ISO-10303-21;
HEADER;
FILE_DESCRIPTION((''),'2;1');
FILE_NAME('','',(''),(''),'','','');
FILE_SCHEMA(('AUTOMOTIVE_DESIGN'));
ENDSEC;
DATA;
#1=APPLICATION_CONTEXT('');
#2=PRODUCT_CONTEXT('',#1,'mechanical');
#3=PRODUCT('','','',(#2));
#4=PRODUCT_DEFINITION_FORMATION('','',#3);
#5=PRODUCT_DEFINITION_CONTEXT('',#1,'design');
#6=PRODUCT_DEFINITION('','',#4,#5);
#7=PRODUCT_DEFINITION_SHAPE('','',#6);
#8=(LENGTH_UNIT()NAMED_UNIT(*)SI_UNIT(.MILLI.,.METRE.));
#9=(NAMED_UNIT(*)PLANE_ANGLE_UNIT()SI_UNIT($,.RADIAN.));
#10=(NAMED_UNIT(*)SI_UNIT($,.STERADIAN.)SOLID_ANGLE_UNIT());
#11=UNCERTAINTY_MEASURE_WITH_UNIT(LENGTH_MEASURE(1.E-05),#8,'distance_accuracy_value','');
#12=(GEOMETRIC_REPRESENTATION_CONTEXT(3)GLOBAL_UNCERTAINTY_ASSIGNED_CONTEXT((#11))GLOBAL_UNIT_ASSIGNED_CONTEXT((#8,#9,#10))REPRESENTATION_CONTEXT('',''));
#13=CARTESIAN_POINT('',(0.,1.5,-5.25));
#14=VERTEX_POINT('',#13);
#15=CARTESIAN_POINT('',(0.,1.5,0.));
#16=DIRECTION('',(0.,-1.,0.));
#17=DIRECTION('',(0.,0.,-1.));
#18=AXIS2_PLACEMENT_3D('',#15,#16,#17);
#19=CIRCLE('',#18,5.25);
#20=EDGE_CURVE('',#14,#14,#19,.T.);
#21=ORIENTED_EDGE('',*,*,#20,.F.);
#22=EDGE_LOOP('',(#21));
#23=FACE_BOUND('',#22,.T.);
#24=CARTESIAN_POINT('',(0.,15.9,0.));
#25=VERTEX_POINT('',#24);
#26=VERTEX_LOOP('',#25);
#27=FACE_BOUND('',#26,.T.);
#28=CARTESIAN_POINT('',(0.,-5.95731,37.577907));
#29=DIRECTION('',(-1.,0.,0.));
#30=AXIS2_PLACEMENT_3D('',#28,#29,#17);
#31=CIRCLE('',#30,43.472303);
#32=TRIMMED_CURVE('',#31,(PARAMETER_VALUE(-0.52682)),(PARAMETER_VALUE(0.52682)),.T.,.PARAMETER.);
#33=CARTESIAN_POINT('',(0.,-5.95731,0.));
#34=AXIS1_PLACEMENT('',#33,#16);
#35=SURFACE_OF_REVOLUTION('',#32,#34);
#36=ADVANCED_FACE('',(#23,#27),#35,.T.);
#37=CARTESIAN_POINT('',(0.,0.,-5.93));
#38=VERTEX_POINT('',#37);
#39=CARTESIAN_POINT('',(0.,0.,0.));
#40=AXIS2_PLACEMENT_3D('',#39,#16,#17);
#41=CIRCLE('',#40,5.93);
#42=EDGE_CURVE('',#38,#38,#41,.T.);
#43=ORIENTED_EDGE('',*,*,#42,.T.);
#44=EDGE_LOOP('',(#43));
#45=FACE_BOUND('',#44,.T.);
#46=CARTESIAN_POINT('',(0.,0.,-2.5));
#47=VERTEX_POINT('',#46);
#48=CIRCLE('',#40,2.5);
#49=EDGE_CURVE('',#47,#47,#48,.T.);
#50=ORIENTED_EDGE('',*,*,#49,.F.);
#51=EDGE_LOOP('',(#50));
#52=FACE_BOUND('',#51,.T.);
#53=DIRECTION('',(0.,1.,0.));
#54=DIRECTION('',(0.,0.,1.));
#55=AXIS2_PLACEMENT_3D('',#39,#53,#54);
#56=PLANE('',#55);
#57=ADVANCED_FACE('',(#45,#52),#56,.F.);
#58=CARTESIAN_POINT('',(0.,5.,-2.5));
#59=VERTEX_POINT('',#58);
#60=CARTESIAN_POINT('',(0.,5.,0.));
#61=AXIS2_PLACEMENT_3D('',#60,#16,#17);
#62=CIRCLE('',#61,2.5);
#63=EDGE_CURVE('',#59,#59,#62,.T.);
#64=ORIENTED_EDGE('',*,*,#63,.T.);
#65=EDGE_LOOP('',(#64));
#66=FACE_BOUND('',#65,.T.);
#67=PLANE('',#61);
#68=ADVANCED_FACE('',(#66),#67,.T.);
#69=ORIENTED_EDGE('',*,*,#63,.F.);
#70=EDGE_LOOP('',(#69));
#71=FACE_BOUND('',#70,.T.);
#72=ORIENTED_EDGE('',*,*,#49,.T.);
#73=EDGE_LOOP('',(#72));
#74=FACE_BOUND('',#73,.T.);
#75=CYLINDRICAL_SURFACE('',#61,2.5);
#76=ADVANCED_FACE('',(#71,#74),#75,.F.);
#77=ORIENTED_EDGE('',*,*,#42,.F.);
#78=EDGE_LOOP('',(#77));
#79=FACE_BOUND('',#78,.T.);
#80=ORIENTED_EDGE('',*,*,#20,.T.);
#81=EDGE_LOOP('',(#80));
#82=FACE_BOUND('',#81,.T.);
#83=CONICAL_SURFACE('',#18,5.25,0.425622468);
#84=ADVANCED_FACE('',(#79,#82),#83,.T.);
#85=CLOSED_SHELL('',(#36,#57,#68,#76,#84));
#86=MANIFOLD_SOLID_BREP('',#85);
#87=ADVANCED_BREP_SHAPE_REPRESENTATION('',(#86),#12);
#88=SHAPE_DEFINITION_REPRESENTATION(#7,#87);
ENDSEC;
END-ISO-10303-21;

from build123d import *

# Parameters (mm, degrees)
SKETCH2_R          = 2.5
CUT_EXTRUDE1_DEPTH = 5


with BuildPart() as part:
    # Sketch1 → Revolve2 (revolve)
    with BuildSketch(Plane.XY, mode=Mode.PRIVATE) as revolve2_sk:
        with BuildLine():
            Line((0, 0), (-5.93, 0))
            Line((-5.93, 0), (-5.25, 1.5))
            ThreePointArc((-5.25, 1.5), (-3.264641046, 8.933202465), (0, 15.9))
            Line((0, 15.9), (0, 1.5))
            Line((0, 1.5), (0, 0))
        make_face()
    revolve(revolve2_sk.sketch.rotate(Axis((0, 1.5, 0), (0, 1, 0)), 270), axis=Axis((0, 1.5, 0), (0, 1, 0)))

    # Sketch2 → Cut-Extrude1 (cut)
    with BuildSketch(Plane.XZ):
        with Locations(Location((0, 0, 0), (0, 0, 270))):
            Circle(SKETCH2_R)
    extrude(amount=-CUT_EXTRUDE1_DEPTH, mode=Mode.SUBTRACT)


solid = part.part
